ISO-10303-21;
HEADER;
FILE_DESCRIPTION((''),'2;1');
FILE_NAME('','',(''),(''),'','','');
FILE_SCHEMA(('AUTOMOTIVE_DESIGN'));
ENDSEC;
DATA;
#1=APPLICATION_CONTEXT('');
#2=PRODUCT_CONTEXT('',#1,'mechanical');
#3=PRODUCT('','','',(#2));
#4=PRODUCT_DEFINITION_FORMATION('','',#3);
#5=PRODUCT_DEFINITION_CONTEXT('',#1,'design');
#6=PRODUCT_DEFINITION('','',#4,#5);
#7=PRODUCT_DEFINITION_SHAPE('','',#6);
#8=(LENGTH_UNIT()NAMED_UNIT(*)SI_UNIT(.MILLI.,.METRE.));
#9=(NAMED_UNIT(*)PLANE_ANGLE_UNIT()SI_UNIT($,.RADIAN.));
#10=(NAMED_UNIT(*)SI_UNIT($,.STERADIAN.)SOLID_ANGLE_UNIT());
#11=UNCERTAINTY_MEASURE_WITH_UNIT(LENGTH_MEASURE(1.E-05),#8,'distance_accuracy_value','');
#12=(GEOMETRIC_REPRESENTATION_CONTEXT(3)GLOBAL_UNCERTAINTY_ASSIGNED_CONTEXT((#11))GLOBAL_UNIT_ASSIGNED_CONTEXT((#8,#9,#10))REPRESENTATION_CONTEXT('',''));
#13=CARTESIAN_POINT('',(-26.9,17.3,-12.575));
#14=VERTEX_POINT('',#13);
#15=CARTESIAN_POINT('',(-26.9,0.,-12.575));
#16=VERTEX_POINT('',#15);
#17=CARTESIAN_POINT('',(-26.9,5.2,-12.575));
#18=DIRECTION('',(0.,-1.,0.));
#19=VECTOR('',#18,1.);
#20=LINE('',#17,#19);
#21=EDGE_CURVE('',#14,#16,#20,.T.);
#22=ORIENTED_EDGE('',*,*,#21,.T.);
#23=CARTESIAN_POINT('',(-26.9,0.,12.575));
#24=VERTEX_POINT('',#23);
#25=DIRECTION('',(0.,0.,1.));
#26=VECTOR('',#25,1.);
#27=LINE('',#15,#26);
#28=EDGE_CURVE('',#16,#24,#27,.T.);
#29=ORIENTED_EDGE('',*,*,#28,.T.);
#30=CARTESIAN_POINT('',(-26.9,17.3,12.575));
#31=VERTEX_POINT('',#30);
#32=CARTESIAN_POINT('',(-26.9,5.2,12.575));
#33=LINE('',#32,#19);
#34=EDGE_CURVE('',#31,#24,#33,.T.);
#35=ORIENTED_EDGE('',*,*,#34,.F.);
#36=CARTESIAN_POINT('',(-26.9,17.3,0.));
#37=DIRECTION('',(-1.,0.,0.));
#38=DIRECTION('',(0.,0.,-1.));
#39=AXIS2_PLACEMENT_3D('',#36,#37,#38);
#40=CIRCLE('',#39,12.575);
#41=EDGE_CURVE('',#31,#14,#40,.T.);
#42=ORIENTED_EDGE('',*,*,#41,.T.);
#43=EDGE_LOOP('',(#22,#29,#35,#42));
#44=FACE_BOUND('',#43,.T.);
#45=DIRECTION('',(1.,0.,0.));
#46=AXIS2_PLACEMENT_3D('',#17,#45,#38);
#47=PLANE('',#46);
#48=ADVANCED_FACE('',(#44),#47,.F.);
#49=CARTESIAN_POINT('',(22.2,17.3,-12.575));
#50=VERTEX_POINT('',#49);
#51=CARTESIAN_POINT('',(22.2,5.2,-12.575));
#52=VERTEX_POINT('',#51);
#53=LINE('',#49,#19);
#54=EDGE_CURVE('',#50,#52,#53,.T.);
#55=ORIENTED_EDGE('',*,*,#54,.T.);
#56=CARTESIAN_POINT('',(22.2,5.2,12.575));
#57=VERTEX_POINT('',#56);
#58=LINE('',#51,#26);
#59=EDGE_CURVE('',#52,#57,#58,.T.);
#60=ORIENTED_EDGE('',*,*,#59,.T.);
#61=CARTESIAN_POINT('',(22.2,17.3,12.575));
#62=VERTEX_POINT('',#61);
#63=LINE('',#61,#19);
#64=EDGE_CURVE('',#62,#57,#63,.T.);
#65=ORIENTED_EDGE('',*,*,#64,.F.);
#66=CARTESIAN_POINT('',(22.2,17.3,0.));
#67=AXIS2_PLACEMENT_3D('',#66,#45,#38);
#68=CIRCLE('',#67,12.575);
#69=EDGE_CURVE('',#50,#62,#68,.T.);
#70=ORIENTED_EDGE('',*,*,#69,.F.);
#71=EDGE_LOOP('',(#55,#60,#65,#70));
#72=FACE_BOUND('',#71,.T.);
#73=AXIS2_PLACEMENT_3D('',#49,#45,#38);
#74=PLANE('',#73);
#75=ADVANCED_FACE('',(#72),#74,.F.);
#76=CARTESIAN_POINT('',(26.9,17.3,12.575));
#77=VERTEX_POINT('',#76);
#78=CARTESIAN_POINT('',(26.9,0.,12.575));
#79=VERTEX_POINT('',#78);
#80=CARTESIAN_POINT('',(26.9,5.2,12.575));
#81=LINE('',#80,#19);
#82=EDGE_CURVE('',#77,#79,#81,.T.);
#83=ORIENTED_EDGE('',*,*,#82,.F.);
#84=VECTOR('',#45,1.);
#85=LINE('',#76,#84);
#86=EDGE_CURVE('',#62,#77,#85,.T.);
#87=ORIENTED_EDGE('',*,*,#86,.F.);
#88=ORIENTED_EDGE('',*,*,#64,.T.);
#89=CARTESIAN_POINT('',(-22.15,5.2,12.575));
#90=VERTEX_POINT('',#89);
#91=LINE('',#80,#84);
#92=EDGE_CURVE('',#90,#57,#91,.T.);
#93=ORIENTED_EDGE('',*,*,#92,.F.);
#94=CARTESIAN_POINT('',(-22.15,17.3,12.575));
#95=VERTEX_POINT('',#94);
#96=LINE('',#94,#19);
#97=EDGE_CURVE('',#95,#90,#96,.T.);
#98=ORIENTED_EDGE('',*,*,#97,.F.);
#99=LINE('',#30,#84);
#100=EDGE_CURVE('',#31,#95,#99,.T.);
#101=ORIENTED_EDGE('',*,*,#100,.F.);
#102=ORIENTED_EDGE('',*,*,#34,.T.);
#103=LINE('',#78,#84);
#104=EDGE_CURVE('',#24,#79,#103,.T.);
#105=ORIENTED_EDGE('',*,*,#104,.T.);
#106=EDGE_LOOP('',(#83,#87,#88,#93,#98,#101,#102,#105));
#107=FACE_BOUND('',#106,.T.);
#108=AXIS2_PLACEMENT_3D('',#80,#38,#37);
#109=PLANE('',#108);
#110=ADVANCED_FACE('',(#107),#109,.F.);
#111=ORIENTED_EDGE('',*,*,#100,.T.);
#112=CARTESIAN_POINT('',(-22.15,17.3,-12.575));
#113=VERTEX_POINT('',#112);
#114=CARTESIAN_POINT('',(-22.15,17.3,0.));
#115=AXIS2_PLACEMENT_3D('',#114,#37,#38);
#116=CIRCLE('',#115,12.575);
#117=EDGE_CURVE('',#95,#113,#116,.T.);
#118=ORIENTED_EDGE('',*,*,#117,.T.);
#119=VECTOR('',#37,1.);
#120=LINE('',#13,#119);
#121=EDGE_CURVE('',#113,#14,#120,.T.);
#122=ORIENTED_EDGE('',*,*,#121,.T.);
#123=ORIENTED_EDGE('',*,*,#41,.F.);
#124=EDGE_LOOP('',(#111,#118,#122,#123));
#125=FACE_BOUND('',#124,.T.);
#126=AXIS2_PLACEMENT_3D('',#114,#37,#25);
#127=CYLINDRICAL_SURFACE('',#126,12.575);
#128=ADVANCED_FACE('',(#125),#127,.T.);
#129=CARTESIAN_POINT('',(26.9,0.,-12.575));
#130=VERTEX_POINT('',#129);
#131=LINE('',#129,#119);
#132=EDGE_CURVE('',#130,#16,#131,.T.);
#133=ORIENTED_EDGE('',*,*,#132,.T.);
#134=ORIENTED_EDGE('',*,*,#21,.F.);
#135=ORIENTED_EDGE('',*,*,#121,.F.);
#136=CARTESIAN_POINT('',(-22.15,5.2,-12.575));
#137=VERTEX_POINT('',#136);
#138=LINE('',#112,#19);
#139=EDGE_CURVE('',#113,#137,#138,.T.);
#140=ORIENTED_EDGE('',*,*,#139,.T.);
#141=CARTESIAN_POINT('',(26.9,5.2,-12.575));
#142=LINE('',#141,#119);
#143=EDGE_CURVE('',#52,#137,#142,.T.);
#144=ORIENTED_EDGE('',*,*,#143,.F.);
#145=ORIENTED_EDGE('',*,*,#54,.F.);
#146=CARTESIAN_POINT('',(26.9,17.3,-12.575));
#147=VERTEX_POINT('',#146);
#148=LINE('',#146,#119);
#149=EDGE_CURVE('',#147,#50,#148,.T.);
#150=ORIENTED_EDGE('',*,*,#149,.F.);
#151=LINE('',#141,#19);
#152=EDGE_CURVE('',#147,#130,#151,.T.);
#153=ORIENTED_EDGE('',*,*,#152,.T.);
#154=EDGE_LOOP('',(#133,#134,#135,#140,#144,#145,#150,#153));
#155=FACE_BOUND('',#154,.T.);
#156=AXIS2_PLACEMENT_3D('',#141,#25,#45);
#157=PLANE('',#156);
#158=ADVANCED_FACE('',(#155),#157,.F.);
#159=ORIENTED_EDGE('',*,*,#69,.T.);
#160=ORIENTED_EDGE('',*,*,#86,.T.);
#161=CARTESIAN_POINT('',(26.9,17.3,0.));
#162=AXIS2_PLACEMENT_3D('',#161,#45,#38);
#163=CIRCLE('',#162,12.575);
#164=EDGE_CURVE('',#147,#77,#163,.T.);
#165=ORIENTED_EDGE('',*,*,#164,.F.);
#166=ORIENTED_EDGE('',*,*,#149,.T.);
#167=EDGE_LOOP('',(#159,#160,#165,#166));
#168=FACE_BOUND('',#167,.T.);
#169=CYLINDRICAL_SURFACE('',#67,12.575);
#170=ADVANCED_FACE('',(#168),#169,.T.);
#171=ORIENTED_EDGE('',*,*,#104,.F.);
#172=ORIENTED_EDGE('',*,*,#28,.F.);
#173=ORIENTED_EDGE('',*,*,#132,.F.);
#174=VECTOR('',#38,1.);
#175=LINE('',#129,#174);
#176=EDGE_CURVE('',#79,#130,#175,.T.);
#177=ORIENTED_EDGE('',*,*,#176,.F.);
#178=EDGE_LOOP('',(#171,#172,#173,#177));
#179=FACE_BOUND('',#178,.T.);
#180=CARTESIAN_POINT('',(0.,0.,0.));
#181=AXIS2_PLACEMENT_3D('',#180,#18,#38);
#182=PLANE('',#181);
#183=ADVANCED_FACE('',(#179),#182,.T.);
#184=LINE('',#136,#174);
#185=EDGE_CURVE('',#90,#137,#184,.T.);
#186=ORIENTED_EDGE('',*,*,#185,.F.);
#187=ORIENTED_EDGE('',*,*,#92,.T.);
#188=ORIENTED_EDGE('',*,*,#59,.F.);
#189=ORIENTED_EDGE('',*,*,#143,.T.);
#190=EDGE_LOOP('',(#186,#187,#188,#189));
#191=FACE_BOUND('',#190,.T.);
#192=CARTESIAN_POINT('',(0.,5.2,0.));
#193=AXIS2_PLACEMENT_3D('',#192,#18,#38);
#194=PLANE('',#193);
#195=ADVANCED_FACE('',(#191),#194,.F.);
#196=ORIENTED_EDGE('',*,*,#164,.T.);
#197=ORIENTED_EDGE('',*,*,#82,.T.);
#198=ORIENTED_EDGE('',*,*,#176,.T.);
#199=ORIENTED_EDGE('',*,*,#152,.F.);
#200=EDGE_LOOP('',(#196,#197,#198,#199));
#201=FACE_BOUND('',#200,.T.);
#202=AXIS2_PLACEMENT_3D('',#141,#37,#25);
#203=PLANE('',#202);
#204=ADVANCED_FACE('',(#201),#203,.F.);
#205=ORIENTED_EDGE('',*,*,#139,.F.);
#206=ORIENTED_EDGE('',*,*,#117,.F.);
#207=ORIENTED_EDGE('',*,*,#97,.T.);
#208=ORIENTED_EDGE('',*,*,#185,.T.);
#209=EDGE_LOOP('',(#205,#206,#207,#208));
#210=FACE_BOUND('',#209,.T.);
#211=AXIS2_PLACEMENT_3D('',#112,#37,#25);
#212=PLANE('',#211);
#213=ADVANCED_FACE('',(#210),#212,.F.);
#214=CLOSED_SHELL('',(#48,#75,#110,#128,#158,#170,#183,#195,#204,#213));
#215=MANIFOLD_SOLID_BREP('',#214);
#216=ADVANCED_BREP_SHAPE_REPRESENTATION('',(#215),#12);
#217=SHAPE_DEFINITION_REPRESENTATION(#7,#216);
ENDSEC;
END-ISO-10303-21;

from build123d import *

# Parameters (mm, degrees)
ESQUISSE1_W        = 53.8
ESQUISSE1_H        = 25.15
BOSS_EXTRU_1_DEPTH = 5.2
ESQUISSE2_W        = 4.75
ESQUISSE2_H        = 25.15
BOSS_EXTRU_2_DEPTH = 12.1
BOSS_EXTRU_3_START = -4.75
BOSS_EXTRU_3_DEPTH = 4.75
ESQUISSE4_W        = 4.7
ESQUISSE4_H        = 25.15
BOSS_EXTRU_4_DEPTH = 12.1
BOSS_EXTRU_5_START = -4.7
BOSS_EXTRU_5_DEPTH = 4.7


with BuildPart() as part:
    # Esquisse1 → Boss.-Extru.1 (new body)
    with BuildSketch(Plane(origin=(0, 0, 0), x_dir=(1, 0, 0), z_dir=(0, 1, 0))):
        Rectangle(ESQUISSE1_W, ESQUISSE1_H)
    extrude(amount=BOSS_EXTRU_1_DEPTH)

    # Esquisse2 → Boss.-Extru.2 (add)
    with BuildSketch(Plane(origin=(0, 5.2, 0), x_dir=(1, 0, 0), z_dir=(0, 1, 0))):
        with Locations((-24.525, 0)):
            Rectangle(ESQUISSE2_W, ESQUISSE2_H)
    extrude(amount=BOSS_EXTRU_2_DEPTH)

    # Esquisse3 → Boss.-Extru.3 (add)
    with BuildSketch(Plane.ZY.offset(26.9).offset(BOSS_EXTRU_3_START)):
        with BuildLine():
            Line((12.575, 17.3), (-12.575, 17.3))
            ThreePointArc((-12.575, 17.3), (0, 29.875), (12.575, 17.3))
        make_face()
    extrude(amount=BOSS_EXTRU_3_DEPTH)

    # Esquisse4 → Boss.-Extru.4 (add)
    with BuildSketch(Plane(origin=(0, 5.2, 0), x_dir=(1, 0, 0), z_dir=(0, 1, 0))):
        with Locations((24.55, 0)):
            Rectangle(ESQUISSE4_W, ESQUISSE4_H)
    extrude(amount=BOSS_EXTRU_4_DEPTH)

    # Esquisse5 → Boss.-Extru.5 (add)
    with BuildSketch(Plane(origin=(26.9, 0, 0), x_dir=(0, 0, -1), z_dir=(1, 0, 0)).offset(BOSS_EXTRU_5_START)):
        with BuildLine():
            Line((12.575, 17.3), (-12.575, 17.3))
            ThreePointArc((-12.575, 17.3), (0, 29.875), (12.575, 17.3))
        make_face()
    extrude(amount=BOSS_EXTRU_5_DEPTH)


solid = part.part
